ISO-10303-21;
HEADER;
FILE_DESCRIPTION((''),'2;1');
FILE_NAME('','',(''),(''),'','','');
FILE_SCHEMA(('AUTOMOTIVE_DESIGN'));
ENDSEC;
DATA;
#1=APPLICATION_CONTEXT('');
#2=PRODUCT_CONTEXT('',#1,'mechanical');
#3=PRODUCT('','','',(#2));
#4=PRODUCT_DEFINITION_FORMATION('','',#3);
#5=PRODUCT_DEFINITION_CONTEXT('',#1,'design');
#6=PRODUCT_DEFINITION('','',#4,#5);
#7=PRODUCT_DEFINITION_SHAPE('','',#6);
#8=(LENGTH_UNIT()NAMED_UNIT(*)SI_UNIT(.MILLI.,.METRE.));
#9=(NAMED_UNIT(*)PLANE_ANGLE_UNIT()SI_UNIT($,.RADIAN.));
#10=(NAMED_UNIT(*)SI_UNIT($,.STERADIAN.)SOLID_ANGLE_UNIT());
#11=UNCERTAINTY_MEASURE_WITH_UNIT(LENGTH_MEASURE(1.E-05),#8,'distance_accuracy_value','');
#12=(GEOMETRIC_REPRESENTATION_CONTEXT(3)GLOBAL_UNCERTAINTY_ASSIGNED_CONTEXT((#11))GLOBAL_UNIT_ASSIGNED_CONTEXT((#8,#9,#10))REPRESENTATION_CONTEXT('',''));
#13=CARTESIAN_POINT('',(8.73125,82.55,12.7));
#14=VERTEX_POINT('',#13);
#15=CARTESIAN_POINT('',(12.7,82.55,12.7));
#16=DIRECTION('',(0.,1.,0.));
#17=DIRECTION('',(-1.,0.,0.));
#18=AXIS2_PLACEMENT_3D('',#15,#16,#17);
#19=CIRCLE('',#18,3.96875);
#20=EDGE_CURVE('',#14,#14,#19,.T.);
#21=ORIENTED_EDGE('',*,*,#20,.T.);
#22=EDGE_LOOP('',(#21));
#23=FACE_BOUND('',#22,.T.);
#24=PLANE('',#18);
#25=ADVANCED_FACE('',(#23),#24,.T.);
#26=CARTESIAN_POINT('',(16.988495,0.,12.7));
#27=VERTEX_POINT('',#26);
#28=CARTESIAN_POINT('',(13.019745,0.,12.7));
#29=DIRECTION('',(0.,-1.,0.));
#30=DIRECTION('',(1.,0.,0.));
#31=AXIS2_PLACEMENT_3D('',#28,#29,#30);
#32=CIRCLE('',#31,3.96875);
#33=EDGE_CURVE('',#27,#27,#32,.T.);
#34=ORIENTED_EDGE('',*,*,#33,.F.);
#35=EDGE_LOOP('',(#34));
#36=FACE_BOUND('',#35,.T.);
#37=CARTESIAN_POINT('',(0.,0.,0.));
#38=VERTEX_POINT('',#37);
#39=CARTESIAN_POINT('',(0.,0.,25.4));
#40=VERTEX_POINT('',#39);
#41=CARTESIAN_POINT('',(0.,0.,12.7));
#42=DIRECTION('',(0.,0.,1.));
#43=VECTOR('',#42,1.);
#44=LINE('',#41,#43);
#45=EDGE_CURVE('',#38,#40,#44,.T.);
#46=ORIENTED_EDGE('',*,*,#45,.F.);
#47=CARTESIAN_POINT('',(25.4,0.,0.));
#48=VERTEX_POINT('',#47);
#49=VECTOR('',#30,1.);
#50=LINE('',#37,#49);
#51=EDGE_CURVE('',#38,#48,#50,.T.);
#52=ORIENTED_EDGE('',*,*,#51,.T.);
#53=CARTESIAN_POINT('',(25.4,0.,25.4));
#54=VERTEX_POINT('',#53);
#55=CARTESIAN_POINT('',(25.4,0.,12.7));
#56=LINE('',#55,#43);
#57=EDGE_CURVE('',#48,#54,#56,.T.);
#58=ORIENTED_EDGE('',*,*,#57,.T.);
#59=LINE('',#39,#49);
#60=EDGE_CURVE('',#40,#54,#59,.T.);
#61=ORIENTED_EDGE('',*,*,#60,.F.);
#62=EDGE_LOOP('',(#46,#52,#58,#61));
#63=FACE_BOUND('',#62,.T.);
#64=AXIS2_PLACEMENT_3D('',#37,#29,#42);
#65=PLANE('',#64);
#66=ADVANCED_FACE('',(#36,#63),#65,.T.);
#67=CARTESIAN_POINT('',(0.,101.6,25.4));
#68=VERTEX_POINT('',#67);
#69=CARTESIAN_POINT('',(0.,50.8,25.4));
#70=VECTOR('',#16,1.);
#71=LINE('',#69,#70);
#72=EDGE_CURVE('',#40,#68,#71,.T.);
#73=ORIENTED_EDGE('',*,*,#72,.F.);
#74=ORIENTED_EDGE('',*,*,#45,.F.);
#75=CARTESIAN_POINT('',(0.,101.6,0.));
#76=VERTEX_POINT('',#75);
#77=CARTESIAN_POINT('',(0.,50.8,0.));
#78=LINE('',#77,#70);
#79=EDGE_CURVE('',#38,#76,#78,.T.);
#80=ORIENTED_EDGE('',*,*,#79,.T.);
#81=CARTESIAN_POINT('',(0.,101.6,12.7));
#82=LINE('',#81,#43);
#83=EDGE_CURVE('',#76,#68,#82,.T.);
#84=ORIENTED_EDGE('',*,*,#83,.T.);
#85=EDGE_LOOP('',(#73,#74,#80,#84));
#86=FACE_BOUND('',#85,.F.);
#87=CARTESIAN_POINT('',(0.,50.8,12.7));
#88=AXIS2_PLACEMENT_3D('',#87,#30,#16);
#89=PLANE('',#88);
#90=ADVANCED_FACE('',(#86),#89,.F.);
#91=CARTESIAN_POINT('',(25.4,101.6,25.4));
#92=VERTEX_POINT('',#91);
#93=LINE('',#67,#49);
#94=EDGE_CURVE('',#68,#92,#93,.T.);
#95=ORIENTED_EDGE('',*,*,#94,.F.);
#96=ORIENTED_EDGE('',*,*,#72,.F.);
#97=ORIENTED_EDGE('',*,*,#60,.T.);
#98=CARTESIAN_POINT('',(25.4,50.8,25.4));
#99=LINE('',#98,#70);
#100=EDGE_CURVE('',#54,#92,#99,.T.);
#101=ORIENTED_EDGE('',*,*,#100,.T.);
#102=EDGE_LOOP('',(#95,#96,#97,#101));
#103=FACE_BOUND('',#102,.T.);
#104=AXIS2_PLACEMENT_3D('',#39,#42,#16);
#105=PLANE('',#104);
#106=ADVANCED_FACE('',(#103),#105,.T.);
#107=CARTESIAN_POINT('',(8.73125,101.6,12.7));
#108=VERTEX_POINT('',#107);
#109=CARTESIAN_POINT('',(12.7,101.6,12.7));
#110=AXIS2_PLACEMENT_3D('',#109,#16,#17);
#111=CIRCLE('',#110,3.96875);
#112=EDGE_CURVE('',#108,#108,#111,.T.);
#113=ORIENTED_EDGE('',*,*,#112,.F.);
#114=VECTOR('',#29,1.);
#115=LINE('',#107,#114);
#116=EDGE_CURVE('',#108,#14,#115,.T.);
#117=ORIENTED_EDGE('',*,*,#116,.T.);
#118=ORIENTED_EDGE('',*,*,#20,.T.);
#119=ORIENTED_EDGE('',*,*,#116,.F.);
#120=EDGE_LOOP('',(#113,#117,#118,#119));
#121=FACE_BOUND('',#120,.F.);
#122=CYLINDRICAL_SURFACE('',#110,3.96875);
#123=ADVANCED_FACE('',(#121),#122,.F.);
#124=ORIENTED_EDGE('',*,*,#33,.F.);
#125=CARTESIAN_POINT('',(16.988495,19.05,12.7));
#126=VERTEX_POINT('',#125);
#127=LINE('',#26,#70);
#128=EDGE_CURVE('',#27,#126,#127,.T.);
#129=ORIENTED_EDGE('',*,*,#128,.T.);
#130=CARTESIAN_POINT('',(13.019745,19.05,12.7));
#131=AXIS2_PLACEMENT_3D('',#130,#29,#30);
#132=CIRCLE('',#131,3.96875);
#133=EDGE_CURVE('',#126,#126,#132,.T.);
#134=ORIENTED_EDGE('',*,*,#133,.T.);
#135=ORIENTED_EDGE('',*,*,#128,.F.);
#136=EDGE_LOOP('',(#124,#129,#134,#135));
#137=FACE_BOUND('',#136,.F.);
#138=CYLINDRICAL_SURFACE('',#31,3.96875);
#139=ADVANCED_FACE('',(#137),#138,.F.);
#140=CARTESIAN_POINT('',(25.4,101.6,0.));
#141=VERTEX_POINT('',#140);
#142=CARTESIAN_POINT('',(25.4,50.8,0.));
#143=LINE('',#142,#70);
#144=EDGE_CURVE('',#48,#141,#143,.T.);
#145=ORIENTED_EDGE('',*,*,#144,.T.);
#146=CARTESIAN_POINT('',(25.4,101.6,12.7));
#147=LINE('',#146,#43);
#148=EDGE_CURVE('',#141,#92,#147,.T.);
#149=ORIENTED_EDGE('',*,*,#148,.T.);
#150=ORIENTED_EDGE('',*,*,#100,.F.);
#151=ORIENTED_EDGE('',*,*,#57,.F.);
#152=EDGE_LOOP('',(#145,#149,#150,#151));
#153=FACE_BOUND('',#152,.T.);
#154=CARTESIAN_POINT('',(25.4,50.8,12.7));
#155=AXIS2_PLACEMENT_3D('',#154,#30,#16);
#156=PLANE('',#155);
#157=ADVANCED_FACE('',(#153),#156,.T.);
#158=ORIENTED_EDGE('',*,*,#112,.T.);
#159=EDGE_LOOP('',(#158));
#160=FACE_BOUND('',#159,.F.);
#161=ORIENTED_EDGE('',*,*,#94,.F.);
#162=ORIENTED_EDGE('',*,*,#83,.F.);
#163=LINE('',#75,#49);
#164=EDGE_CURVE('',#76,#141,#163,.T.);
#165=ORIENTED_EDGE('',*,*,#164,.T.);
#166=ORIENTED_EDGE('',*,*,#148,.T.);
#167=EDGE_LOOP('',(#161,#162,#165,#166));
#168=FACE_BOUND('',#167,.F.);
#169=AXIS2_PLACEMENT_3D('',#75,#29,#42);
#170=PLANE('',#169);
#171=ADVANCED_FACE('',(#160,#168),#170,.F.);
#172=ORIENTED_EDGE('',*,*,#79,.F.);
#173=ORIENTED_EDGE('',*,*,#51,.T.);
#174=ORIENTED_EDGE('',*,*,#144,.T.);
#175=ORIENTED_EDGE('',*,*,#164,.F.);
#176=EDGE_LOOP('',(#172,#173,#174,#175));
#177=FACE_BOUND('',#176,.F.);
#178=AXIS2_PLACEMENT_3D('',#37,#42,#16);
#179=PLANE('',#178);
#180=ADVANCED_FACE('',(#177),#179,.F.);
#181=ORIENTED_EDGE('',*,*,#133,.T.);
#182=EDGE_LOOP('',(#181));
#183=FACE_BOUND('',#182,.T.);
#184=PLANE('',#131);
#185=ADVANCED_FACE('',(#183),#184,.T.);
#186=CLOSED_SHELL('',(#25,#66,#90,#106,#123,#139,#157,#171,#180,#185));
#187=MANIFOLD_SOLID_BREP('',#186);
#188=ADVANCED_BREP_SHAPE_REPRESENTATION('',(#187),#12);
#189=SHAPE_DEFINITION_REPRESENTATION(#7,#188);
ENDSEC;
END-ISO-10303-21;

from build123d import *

# Parameters (mm, degrees)
F0_W     = 101.6
F0_H     = 25.4
F1_DEPTH = 25.4
F2_R     = 3.96875
F3_DEPTH = 19.05
F4_R     = 3.96875
F5_DEPTH = 19.05


with BuildPart() as f1:
    # F0 (on Right) → F1 (new body)
    with BuildSketch(Plane.YZ):
        with Locations((50.8, 12.7)):
            Rectangle(F0_W, F0_H)
    extrude(amount=F1_DEPTH)

    # F2 (on face) → F3 (cut)
    with BuildSketch(Plane(origin=(0, 101.6, 0), x_dir=(-1, 0, 0), z_dir=(0, 1, 0))):
        with Locations((-12.7, 12.7)):
            Circle(F2_R)
    extrude(amount=-F3_DEPTH, mode=Mode.SUBTRACT)

    # F4 (on face) → F5 (cut)
    with BuildSketch(Plane.XZ):
        with Locations((13.019745, 12.7)):
            Circle(F4_R)
    extrude(amount=-F5_DEPTH, mode=Mode.SUBTRACT)


solid = f1.part
